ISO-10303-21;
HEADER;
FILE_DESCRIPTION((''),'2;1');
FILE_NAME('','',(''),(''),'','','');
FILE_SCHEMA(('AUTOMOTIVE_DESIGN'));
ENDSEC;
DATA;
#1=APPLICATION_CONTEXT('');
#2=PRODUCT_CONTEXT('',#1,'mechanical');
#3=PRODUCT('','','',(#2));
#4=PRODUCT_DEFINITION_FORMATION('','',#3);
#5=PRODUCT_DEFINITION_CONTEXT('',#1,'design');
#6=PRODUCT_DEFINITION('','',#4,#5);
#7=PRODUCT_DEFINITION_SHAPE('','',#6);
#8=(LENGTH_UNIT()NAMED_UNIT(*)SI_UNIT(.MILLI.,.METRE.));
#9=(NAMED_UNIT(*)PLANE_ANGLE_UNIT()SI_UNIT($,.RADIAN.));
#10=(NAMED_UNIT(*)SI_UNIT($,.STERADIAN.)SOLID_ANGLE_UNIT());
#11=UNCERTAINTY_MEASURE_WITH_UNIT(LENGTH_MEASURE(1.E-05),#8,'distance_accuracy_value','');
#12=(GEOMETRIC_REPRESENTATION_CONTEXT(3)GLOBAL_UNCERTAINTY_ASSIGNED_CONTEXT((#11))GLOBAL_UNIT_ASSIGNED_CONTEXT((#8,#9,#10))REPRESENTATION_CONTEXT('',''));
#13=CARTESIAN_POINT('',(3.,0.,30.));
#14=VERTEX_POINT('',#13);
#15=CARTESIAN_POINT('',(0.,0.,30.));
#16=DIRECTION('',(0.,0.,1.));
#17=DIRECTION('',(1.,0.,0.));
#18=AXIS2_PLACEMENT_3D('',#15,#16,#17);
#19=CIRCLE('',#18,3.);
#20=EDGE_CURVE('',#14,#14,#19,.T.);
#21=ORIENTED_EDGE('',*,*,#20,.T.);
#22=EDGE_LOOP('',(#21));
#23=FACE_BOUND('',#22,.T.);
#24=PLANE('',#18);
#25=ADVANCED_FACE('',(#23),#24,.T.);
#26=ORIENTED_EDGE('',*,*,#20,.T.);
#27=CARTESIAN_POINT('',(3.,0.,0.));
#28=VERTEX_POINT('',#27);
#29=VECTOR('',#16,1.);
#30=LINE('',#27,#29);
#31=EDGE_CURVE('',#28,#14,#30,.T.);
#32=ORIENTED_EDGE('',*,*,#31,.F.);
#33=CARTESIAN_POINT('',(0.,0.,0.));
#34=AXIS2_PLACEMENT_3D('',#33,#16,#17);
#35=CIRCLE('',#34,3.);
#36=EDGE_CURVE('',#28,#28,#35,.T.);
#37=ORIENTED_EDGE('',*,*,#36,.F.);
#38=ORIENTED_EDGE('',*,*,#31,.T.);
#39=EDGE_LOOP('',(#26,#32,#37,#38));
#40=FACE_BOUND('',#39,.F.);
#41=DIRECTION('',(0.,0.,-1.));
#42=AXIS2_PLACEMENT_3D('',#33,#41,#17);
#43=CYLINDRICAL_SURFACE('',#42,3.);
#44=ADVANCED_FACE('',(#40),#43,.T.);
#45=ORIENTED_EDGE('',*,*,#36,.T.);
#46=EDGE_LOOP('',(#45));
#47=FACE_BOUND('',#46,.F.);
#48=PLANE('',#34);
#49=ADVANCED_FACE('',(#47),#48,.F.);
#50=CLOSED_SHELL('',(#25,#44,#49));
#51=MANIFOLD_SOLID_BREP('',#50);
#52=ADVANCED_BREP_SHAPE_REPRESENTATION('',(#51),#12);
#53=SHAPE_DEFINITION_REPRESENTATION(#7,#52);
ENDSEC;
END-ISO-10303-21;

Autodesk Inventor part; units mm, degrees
ref_plane "YZ Plane" through (0, 0, 0) normal (1, 0, 0) x (0, 1, 0)
ref_plane "XZ Plane" through (0, 0, 0) normal (0, 1, 0) x (-1, 0, 0)
ref_plane "XY Plane" through (0, 0, 0) normal (0, 0, 1) x (1, 0, 0)
sketch "スケッチ1" plane through (0, 0, 0) normal (0, 0, 1) x (1, 0, 0)
  circle A0 centre (0, 0) radius 3
  dimension "d0" = 6
extrude "押し出し1" add sketch "スケッチ1" along normal blind 30
properties part number "平行ピン　φ6　長さ30" material "ステンレス鋼"
